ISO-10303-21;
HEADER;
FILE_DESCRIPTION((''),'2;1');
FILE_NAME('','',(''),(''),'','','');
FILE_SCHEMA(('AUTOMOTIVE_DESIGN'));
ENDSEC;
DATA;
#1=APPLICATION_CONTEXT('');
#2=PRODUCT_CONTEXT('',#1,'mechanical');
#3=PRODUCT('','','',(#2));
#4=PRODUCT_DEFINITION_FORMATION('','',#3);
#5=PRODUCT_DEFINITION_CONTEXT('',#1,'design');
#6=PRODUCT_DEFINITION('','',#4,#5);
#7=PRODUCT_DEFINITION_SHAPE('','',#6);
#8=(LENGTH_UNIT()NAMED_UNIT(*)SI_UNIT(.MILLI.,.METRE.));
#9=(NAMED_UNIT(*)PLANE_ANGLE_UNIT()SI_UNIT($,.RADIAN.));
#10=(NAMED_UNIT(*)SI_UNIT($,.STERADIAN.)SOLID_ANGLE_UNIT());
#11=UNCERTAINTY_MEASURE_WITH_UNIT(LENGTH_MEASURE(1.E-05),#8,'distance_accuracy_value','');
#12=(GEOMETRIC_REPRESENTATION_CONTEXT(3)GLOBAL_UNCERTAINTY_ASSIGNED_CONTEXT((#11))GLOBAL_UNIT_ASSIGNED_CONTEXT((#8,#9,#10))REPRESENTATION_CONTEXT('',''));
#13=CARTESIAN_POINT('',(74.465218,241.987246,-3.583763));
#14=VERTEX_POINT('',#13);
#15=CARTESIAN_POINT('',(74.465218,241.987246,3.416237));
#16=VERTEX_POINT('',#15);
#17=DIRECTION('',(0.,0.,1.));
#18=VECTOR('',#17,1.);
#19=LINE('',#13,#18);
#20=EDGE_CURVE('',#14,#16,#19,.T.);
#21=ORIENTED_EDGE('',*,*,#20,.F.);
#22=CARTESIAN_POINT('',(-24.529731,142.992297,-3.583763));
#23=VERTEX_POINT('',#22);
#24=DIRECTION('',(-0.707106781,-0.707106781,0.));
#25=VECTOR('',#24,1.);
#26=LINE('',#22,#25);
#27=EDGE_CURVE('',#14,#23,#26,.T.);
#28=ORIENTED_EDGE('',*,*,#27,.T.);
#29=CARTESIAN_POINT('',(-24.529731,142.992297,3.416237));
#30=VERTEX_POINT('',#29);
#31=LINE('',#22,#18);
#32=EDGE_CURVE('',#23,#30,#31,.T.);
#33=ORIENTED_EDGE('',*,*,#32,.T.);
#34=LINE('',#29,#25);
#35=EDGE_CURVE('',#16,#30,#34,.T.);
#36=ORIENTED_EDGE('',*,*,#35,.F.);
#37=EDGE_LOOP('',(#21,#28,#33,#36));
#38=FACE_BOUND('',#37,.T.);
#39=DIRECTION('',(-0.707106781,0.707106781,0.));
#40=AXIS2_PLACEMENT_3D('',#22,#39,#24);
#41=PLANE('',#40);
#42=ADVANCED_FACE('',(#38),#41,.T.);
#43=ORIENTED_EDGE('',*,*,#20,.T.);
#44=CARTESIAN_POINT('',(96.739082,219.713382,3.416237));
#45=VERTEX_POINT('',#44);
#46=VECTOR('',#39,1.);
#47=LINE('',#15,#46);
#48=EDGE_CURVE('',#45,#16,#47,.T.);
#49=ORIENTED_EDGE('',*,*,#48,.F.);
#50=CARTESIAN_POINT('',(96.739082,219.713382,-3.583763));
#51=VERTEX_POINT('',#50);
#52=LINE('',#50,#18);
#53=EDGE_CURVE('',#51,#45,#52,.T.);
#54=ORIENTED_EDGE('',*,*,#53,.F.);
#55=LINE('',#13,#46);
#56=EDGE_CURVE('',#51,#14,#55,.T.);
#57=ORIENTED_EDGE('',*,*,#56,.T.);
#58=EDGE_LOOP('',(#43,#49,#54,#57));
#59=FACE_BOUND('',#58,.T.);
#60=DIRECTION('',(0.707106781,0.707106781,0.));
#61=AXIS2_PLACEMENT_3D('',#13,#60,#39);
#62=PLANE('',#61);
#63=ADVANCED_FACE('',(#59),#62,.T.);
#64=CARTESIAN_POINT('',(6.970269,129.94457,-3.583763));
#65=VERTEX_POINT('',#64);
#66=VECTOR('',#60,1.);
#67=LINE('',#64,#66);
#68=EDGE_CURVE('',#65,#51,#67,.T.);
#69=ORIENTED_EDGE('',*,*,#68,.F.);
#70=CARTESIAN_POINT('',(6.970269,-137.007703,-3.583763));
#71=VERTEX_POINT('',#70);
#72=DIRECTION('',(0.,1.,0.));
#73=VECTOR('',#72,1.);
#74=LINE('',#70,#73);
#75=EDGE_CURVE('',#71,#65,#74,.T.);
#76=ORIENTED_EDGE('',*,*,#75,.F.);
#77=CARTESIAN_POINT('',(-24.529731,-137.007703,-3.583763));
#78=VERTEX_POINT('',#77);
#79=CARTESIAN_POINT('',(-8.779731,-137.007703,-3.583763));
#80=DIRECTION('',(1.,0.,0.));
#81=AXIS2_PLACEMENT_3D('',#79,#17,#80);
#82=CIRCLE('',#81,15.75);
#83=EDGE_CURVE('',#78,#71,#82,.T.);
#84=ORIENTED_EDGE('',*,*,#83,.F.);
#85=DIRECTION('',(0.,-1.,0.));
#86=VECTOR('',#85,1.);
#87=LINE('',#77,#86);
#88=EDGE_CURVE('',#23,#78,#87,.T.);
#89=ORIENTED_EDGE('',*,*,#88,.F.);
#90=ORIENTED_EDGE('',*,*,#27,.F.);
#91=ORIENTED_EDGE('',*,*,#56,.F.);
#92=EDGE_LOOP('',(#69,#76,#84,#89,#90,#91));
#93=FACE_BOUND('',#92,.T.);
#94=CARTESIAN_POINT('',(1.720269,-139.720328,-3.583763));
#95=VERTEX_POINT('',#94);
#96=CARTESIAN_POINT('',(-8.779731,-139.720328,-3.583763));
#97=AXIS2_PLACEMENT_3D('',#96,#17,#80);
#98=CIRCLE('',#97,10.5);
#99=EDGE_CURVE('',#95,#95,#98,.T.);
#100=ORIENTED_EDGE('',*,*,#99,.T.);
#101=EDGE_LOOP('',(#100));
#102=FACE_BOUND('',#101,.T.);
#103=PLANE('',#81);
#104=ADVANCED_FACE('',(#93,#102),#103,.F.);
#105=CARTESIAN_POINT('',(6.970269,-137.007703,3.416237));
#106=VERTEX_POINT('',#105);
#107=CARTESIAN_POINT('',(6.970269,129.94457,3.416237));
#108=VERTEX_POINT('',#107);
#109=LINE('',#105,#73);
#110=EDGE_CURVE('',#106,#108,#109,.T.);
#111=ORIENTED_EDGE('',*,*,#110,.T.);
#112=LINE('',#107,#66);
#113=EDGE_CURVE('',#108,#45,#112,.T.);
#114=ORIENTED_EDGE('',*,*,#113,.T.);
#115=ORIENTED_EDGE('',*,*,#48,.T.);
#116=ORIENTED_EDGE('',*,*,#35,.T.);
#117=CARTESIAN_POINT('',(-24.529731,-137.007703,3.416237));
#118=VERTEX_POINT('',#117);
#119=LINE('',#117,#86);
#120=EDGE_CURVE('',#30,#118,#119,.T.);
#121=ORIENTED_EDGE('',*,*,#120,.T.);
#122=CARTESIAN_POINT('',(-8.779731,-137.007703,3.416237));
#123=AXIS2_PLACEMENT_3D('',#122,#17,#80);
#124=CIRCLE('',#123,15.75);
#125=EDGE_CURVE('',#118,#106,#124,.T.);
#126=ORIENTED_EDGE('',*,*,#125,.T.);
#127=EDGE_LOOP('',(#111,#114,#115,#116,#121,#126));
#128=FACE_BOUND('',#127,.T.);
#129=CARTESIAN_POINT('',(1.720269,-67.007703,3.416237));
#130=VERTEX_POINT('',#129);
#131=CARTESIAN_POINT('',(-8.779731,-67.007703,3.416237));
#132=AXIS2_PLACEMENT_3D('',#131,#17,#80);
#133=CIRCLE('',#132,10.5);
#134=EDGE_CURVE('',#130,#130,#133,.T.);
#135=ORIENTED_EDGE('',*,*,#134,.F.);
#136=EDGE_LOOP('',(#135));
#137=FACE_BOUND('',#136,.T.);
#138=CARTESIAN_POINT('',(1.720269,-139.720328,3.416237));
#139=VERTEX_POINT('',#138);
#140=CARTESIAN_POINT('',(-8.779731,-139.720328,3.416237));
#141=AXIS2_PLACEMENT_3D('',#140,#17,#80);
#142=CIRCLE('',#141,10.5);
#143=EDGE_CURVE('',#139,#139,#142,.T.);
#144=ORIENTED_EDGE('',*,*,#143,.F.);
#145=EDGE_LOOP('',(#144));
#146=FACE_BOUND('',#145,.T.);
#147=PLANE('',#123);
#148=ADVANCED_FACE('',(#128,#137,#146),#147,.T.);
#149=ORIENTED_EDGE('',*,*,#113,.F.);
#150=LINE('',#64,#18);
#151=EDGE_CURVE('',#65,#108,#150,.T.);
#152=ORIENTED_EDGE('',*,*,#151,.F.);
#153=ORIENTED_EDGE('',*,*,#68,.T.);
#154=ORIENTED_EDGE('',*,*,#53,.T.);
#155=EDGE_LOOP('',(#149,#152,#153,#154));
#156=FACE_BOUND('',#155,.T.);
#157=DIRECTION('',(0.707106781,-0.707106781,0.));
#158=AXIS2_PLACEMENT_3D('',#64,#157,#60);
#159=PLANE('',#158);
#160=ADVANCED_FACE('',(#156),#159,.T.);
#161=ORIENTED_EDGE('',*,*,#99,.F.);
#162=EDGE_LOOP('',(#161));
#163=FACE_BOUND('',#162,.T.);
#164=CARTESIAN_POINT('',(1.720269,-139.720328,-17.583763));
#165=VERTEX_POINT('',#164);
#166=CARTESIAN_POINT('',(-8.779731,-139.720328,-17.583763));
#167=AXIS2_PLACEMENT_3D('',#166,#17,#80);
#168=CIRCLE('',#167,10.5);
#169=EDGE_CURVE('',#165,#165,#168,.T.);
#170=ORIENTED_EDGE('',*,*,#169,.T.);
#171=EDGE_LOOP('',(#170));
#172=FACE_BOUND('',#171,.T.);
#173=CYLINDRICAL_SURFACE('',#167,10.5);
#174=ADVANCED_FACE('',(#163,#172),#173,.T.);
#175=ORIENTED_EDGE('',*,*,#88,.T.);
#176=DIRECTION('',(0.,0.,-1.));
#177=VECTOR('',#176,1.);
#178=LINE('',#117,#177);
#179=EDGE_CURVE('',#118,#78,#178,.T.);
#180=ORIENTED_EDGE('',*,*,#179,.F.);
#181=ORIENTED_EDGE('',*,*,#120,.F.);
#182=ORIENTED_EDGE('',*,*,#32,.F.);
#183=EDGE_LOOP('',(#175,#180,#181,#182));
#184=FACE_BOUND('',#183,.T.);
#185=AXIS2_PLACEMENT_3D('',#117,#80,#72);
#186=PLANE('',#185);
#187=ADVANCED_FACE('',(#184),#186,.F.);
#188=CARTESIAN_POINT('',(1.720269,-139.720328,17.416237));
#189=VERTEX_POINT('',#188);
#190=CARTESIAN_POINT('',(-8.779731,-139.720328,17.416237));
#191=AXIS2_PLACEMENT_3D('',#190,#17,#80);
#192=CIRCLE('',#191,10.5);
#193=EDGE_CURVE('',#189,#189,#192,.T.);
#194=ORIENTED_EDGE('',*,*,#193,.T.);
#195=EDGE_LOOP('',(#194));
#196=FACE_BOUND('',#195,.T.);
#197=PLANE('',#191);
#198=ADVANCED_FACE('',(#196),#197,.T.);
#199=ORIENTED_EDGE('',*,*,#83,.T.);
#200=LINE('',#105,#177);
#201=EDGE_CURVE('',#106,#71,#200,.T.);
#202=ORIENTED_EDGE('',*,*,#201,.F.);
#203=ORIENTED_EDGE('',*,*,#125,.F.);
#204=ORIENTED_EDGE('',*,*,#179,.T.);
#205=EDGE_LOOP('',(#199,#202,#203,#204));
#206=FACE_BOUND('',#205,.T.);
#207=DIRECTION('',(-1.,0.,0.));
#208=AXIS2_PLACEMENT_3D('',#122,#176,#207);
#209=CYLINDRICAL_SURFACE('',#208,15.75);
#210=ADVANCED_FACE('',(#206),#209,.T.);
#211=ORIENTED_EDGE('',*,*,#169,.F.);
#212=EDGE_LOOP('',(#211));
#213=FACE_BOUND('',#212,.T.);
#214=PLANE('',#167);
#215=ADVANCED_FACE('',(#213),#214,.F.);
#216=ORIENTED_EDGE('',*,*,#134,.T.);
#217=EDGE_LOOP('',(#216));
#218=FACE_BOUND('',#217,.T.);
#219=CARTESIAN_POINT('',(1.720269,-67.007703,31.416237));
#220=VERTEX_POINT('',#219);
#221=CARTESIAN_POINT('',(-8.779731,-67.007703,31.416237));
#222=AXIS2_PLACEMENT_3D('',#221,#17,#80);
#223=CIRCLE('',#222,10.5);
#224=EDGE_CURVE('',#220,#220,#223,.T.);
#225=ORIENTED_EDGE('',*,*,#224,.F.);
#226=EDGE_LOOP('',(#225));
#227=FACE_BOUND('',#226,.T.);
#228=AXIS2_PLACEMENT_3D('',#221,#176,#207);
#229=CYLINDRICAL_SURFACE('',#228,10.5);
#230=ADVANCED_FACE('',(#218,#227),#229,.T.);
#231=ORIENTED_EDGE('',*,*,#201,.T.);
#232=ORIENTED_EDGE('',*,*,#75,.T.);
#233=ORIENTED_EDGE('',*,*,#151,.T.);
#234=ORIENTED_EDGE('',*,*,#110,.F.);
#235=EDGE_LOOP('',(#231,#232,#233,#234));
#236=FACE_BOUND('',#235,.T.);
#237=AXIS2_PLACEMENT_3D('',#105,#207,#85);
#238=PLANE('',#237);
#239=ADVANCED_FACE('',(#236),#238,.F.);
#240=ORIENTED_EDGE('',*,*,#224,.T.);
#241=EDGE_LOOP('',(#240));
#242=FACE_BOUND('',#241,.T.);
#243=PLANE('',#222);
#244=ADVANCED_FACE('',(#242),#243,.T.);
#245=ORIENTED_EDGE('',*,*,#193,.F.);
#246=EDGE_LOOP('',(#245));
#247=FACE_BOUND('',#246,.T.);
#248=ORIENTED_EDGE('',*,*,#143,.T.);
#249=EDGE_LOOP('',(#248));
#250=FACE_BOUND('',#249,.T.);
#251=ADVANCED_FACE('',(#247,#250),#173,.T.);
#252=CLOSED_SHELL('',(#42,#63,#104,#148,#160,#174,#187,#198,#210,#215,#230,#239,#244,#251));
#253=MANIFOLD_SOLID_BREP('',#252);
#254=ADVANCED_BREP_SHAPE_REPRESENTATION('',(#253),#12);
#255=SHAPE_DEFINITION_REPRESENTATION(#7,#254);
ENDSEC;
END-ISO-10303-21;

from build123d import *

# Parameters (mm, degrees)
EXTRUDE_1_DEPTH      = 2
SKETCH_2_R           = 3
EXTRUDE_2_DEPTH      = 8
SKETCH_3_R           = 3
EXTRUDE_3_DEPTH      = 4
EXTRUDE_3_DEPTH_BACK = 6
EXTRUDE_4_DEPTH      = 2
SCALE_3_SCALE        = 3.5


with BuildPart() as part:
    # 草图1 → 凸台-拉伸1 (new body)
    with BuildSketch(Plane.XY):
        with BuildLine():
            Line((-4.5, -20), (-4.5, 20))
            ThreePointArc((-4.5, 20), (0, 24.5), (4.5, 20))
            Line((4.5, 20), (4.5, -20))
            ThreePointArc((4.5, -20), (0, -24.5), (-4.5, -20))
        make_face()
    extrude(amount=EXTRUDE_1_DEPTH)

    # 草图2 → 凸台-拉伸2 (add)
    with BuildSketch(Plane.XY.offset(2)):
        Circle(SKETCH_2_R)
    extrude(amount=EXTRUDE_2_DEPTH)

    # 草图3 → 凸台-拉伸3 (add, two sides)
    with BuildSketch(Plane.XY.offset(2)) as extrude_3_sk:
        with Locations((0, -20.775035614)):
            Circle(SKETCH_3_R)
    extrude(amount=EXTRUDE_3_DEPTH)
    extrude(extrude_3_sk.sketch, amount=-EXTRUDE_3_DEPTH_BACK)

    # 草图4 → 凸台-拉伸4 (add)
    with BuildSketch(Plane.XY.offset(2)):
        Polygon((-4.5, 60), (-4.5, 20), (4.5, 20), (4.5, 56.272077939), (30.148232278, 81.920310217), (23.784271247, 88.284271247), align=None)
    extrude(amount=-EXTRUDE_4_DEPTH)


with BuildPart() as part_1:
    # 缩放比例3: scaled about (3.511892573, 26.803081313, 1.433505164)
    add(part.part.scale(SCALE_3_SCALE).moved(Location((-8.779731433, -67.007703283, -3.58376291))))


solid = part_1.part
